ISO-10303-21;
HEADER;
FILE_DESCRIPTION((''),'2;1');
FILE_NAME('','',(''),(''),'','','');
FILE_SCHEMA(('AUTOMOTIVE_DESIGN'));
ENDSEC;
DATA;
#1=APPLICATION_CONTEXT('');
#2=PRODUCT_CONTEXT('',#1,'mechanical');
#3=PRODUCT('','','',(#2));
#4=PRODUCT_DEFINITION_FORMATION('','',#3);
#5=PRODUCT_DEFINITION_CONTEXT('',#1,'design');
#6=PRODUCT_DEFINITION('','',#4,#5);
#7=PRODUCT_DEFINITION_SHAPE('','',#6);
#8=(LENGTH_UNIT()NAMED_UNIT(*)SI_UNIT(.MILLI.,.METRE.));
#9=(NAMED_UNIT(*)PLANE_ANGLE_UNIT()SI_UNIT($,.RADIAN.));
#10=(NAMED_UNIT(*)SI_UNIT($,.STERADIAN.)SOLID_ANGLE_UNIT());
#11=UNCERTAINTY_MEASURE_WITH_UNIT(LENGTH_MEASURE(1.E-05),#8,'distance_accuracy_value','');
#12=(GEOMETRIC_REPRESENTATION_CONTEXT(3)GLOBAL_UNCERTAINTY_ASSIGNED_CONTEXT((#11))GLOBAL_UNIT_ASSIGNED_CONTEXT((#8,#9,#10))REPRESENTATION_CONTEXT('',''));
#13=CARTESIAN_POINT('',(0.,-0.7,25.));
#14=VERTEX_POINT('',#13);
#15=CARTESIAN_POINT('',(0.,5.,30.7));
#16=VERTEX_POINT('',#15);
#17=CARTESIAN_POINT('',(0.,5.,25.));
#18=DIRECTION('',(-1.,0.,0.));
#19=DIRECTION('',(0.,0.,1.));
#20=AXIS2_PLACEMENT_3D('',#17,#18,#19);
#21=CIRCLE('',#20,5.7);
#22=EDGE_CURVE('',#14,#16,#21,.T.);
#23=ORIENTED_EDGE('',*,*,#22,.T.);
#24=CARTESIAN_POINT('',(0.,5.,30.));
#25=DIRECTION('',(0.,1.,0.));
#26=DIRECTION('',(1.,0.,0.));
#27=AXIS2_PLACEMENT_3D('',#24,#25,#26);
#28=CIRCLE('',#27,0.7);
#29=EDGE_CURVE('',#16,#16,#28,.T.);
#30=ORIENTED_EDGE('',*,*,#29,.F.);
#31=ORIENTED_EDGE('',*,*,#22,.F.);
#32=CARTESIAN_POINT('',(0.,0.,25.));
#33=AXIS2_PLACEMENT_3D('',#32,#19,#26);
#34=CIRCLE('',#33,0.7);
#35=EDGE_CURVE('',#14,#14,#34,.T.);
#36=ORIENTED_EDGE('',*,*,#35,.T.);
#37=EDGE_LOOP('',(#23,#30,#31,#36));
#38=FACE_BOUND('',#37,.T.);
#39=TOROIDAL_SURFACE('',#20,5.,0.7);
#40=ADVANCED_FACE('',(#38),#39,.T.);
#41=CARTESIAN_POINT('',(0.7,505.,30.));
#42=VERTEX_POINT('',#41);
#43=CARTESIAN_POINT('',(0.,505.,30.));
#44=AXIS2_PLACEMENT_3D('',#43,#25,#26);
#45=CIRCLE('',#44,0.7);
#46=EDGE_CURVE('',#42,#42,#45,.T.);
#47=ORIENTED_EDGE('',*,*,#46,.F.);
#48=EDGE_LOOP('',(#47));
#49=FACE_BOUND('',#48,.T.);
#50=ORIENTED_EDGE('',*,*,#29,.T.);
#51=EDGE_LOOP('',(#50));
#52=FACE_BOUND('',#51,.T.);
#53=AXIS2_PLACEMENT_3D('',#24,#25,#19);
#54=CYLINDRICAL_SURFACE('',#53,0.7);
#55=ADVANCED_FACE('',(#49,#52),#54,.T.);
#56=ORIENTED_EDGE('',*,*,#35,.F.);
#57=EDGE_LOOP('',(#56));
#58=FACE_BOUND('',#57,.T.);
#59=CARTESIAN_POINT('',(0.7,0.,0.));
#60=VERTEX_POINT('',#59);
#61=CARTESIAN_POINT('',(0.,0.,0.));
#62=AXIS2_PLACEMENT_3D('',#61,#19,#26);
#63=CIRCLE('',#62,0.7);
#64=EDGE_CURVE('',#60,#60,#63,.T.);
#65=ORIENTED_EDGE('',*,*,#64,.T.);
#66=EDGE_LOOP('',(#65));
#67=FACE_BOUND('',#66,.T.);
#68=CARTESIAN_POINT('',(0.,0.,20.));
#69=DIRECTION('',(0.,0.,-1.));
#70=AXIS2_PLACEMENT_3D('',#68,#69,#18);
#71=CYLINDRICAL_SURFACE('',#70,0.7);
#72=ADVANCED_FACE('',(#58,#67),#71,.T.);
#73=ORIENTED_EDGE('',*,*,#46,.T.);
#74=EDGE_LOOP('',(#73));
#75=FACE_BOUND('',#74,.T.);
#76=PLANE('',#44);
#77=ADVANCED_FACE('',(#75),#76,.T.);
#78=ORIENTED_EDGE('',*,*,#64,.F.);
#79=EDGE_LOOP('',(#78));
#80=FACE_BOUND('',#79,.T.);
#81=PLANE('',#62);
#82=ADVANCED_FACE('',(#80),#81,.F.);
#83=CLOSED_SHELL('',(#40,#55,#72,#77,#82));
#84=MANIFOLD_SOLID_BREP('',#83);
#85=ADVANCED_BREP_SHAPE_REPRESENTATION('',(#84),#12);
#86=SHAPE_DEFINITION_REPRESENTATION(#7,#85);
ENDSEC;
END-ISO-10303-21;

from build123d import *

# Parameters (mm, degrees)
SKETCH_1_R      = 0.7
EXTRUDE_1_DEPTH = 20
SKETCH_2_R      = 0.7


with BuildPart() as part:
    # ｽｹｯﾁ1 → ﾎﾞｽ - 押し出し1 (new body)
    with BuildSketch(Plane.XY):
        Circle(SKETCH_1_R)
    extrude(amount=EXTRUDE_1_DEPTH)

    # ｽｲｰﾌﾟ1: sweep along a path in ｽｹｯﾁ3
    with BuildLine(Plane(origin=(0, 0, 0), x_dir=(0, 0, -1), z_dir=(1, 0, 0))) as sweep_1_path:
        Line((-20, 0), (-25, 0))
        ThreePointArc((-25, 0), (-28.535533906, 1.464466094), (-30, 5))
        Line((-30, 5), (-30, 505))
    # ｽｹｯﾁ2 → ｽｲｰﾌﾟ1 (sweep)
    with BuildSketch(Plane.XY.offset(20)):
        Circle(SKETCH_2_R)
    sweep(path=sweep_1_path.line)


solid = part.part
